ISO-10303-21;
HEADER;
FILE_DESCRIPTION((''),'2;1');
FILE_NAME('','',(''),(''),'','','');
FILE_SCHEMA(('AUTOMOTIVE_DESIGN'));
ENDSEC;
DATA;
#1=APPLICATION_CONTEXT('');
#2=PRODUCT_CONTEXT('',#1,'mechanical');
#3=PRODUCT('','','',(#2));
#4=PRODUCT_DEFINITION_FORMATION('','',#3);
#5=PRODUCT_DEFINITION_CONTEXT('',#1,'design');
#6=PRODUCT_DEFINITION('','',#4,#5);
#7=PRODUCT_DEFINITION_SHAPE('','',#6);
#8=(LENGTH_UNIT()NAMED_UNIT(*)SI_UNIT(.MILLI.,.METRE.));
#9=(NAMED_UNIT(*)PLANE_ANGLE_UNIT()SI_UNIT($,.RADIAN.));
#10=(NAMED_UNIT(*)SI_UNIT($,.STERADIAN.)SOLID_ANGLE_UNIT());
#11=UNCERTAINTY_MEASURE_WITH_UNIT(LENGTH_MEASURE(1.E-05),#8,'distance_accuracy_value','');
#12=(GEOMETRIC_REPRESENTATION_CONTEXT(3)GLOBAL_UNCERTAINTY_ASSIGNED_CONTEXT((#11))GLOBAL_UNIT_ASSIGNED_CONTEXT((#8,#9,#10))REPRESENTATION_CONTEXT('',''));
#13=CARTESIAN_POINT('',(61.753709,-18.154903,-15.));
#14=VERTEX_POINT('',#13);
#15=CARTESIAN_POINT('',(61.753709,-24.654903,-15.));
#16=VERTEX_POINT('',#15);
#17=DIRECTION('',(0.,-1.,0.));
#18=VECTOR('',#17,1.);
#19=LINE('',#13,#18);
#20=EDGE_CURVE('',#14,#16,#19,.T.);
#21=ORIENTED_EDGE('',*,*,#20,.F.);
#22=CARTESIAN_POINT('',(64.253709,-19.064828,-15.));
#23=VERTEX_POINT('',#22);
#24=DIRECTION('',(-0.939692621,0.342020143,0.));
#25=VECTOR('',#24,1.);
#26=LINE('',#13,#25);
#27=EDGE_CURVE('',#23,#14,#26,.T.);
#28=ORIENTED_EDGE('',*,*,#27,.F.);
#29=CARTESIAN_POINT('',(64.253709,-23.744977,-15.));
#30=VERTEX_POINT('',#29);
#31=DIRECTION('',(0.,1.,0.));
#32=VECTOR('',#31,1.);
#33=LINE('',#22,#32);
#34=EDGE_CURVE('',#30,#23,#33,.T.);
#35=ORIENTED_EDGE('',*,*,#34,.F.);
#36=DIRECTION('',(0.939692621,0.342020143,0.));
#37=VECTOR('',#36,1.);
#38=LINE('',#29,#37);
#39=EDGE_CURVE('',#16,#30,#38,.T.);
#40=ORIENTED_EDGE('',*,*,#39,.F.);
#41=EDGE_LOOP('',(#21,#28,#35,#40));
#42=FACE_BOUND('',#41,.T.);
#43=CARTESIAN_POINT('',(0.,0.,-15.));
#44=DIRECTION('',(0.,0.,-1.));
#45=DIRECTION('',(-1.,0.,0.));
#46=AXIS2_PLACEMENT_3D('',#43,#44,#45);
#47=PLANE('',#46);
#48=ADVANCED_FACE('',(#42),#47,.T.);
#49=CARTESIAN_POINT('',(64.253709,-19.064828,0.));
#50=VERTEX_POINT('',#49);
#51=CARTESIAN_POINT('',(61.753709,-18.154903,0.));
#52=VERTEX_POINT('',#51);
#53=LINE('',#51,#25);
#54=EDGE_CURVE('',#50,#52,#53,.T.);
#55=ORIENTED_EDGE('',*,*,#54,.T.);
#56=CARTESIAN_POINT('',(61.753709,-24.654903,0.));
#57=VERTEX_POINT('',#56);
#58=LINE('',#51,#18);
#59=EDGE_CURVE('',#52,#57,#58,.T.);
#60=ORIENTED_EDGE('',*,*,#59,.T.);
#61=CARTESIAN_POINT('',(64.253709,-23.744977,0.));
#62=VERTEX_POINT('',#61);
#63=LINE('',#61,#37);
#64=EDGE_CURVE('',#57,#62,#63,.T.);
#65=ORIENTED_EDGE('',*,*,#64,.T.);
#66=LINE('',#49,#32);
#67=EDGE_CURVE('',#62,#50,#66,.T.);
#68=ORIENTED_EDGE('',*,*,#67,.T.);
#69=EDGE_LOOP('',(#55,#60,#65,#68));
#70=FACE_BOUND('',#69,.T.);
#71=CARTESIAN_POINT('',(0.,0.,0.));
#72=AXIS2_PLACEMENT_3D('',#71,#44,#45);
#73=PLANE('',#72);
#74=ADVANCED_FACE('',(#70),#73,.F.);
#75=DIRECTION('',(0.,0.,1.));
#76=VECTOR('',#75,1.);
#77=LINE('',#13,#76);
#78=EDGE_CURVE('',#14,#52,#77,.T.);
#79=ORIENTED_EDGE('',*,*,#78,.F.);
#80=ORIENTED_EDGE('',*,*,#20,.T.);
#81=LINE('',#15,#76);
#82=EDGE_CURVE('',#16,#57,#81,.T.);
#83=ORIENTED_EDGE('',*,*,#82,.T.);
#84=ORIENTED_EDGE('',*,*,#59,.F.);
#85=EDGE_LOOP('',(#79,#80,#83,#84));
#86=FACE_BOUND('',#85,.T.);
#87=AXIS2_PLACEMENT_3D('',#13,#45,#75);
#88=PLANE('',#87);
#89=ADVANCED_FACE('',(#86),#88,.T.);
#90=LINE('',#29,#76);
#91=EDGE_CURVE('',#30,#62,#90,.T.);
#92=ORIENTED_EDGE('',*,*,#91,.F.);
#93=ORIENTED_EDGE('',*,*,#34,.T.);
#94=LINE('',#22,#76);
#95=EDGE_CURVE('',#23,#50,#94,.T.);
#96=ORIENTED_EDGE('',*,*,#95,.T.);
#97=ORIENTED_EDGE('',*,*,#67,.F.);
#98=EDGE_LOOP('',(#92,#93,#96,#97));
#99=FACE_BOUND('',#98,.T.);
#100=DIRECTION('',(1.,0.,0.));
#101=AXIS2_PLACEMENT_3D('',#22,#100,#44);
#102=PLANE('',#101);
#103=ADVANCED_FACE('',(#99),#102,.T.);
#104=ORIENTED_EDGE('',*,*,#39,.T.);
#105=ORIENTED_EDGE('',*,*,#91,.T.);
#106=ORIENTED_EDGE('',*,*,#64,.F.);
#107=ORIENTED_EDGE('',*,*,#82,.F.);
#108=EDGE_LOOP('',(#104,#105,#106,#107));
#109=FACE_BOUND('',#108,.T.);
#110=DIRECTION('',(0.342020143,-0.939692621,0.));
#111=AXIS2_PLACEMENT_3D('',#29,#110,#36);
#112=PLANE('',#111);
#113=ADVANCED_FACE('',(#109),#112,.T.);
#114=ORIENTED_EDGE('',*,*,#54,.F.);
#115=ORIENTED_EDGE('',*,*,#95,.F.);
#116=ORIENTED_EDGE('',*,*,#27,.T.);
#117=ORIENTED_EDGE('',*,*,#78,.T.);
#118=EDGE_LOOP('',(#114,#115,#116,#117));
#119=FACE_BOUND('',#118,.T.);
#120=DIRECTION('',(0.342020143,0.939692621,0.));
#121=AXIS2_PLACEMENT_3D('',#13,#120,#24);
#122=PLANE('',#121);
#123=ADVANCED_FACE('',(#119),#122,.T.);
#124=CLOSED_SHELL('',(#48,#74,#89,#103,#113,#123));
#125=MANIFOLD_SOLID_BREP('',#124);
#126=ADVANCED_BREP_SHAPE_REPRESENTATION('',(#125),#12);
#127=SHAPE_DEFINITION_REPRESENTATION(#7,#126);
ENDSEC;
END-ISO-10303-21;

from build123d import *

# Parameters (mm, degrees)
BOSS_EXTRUDE1_DEPTH = 15


with BuildPart() as part:
    # Sketch1 → Boss-Extrude1 (new body)
    with BuildSketch(Plane.XY):
        Polygon((61.753708947, -18.154902685), (61.753708947, -24.654902685), (64.253708947, -23.7449771), (64.253708947, -19.064828271), align=None)
    extrude(amount=-BOSS_EXTRUDE1_DEPTH)


solid = part.part
